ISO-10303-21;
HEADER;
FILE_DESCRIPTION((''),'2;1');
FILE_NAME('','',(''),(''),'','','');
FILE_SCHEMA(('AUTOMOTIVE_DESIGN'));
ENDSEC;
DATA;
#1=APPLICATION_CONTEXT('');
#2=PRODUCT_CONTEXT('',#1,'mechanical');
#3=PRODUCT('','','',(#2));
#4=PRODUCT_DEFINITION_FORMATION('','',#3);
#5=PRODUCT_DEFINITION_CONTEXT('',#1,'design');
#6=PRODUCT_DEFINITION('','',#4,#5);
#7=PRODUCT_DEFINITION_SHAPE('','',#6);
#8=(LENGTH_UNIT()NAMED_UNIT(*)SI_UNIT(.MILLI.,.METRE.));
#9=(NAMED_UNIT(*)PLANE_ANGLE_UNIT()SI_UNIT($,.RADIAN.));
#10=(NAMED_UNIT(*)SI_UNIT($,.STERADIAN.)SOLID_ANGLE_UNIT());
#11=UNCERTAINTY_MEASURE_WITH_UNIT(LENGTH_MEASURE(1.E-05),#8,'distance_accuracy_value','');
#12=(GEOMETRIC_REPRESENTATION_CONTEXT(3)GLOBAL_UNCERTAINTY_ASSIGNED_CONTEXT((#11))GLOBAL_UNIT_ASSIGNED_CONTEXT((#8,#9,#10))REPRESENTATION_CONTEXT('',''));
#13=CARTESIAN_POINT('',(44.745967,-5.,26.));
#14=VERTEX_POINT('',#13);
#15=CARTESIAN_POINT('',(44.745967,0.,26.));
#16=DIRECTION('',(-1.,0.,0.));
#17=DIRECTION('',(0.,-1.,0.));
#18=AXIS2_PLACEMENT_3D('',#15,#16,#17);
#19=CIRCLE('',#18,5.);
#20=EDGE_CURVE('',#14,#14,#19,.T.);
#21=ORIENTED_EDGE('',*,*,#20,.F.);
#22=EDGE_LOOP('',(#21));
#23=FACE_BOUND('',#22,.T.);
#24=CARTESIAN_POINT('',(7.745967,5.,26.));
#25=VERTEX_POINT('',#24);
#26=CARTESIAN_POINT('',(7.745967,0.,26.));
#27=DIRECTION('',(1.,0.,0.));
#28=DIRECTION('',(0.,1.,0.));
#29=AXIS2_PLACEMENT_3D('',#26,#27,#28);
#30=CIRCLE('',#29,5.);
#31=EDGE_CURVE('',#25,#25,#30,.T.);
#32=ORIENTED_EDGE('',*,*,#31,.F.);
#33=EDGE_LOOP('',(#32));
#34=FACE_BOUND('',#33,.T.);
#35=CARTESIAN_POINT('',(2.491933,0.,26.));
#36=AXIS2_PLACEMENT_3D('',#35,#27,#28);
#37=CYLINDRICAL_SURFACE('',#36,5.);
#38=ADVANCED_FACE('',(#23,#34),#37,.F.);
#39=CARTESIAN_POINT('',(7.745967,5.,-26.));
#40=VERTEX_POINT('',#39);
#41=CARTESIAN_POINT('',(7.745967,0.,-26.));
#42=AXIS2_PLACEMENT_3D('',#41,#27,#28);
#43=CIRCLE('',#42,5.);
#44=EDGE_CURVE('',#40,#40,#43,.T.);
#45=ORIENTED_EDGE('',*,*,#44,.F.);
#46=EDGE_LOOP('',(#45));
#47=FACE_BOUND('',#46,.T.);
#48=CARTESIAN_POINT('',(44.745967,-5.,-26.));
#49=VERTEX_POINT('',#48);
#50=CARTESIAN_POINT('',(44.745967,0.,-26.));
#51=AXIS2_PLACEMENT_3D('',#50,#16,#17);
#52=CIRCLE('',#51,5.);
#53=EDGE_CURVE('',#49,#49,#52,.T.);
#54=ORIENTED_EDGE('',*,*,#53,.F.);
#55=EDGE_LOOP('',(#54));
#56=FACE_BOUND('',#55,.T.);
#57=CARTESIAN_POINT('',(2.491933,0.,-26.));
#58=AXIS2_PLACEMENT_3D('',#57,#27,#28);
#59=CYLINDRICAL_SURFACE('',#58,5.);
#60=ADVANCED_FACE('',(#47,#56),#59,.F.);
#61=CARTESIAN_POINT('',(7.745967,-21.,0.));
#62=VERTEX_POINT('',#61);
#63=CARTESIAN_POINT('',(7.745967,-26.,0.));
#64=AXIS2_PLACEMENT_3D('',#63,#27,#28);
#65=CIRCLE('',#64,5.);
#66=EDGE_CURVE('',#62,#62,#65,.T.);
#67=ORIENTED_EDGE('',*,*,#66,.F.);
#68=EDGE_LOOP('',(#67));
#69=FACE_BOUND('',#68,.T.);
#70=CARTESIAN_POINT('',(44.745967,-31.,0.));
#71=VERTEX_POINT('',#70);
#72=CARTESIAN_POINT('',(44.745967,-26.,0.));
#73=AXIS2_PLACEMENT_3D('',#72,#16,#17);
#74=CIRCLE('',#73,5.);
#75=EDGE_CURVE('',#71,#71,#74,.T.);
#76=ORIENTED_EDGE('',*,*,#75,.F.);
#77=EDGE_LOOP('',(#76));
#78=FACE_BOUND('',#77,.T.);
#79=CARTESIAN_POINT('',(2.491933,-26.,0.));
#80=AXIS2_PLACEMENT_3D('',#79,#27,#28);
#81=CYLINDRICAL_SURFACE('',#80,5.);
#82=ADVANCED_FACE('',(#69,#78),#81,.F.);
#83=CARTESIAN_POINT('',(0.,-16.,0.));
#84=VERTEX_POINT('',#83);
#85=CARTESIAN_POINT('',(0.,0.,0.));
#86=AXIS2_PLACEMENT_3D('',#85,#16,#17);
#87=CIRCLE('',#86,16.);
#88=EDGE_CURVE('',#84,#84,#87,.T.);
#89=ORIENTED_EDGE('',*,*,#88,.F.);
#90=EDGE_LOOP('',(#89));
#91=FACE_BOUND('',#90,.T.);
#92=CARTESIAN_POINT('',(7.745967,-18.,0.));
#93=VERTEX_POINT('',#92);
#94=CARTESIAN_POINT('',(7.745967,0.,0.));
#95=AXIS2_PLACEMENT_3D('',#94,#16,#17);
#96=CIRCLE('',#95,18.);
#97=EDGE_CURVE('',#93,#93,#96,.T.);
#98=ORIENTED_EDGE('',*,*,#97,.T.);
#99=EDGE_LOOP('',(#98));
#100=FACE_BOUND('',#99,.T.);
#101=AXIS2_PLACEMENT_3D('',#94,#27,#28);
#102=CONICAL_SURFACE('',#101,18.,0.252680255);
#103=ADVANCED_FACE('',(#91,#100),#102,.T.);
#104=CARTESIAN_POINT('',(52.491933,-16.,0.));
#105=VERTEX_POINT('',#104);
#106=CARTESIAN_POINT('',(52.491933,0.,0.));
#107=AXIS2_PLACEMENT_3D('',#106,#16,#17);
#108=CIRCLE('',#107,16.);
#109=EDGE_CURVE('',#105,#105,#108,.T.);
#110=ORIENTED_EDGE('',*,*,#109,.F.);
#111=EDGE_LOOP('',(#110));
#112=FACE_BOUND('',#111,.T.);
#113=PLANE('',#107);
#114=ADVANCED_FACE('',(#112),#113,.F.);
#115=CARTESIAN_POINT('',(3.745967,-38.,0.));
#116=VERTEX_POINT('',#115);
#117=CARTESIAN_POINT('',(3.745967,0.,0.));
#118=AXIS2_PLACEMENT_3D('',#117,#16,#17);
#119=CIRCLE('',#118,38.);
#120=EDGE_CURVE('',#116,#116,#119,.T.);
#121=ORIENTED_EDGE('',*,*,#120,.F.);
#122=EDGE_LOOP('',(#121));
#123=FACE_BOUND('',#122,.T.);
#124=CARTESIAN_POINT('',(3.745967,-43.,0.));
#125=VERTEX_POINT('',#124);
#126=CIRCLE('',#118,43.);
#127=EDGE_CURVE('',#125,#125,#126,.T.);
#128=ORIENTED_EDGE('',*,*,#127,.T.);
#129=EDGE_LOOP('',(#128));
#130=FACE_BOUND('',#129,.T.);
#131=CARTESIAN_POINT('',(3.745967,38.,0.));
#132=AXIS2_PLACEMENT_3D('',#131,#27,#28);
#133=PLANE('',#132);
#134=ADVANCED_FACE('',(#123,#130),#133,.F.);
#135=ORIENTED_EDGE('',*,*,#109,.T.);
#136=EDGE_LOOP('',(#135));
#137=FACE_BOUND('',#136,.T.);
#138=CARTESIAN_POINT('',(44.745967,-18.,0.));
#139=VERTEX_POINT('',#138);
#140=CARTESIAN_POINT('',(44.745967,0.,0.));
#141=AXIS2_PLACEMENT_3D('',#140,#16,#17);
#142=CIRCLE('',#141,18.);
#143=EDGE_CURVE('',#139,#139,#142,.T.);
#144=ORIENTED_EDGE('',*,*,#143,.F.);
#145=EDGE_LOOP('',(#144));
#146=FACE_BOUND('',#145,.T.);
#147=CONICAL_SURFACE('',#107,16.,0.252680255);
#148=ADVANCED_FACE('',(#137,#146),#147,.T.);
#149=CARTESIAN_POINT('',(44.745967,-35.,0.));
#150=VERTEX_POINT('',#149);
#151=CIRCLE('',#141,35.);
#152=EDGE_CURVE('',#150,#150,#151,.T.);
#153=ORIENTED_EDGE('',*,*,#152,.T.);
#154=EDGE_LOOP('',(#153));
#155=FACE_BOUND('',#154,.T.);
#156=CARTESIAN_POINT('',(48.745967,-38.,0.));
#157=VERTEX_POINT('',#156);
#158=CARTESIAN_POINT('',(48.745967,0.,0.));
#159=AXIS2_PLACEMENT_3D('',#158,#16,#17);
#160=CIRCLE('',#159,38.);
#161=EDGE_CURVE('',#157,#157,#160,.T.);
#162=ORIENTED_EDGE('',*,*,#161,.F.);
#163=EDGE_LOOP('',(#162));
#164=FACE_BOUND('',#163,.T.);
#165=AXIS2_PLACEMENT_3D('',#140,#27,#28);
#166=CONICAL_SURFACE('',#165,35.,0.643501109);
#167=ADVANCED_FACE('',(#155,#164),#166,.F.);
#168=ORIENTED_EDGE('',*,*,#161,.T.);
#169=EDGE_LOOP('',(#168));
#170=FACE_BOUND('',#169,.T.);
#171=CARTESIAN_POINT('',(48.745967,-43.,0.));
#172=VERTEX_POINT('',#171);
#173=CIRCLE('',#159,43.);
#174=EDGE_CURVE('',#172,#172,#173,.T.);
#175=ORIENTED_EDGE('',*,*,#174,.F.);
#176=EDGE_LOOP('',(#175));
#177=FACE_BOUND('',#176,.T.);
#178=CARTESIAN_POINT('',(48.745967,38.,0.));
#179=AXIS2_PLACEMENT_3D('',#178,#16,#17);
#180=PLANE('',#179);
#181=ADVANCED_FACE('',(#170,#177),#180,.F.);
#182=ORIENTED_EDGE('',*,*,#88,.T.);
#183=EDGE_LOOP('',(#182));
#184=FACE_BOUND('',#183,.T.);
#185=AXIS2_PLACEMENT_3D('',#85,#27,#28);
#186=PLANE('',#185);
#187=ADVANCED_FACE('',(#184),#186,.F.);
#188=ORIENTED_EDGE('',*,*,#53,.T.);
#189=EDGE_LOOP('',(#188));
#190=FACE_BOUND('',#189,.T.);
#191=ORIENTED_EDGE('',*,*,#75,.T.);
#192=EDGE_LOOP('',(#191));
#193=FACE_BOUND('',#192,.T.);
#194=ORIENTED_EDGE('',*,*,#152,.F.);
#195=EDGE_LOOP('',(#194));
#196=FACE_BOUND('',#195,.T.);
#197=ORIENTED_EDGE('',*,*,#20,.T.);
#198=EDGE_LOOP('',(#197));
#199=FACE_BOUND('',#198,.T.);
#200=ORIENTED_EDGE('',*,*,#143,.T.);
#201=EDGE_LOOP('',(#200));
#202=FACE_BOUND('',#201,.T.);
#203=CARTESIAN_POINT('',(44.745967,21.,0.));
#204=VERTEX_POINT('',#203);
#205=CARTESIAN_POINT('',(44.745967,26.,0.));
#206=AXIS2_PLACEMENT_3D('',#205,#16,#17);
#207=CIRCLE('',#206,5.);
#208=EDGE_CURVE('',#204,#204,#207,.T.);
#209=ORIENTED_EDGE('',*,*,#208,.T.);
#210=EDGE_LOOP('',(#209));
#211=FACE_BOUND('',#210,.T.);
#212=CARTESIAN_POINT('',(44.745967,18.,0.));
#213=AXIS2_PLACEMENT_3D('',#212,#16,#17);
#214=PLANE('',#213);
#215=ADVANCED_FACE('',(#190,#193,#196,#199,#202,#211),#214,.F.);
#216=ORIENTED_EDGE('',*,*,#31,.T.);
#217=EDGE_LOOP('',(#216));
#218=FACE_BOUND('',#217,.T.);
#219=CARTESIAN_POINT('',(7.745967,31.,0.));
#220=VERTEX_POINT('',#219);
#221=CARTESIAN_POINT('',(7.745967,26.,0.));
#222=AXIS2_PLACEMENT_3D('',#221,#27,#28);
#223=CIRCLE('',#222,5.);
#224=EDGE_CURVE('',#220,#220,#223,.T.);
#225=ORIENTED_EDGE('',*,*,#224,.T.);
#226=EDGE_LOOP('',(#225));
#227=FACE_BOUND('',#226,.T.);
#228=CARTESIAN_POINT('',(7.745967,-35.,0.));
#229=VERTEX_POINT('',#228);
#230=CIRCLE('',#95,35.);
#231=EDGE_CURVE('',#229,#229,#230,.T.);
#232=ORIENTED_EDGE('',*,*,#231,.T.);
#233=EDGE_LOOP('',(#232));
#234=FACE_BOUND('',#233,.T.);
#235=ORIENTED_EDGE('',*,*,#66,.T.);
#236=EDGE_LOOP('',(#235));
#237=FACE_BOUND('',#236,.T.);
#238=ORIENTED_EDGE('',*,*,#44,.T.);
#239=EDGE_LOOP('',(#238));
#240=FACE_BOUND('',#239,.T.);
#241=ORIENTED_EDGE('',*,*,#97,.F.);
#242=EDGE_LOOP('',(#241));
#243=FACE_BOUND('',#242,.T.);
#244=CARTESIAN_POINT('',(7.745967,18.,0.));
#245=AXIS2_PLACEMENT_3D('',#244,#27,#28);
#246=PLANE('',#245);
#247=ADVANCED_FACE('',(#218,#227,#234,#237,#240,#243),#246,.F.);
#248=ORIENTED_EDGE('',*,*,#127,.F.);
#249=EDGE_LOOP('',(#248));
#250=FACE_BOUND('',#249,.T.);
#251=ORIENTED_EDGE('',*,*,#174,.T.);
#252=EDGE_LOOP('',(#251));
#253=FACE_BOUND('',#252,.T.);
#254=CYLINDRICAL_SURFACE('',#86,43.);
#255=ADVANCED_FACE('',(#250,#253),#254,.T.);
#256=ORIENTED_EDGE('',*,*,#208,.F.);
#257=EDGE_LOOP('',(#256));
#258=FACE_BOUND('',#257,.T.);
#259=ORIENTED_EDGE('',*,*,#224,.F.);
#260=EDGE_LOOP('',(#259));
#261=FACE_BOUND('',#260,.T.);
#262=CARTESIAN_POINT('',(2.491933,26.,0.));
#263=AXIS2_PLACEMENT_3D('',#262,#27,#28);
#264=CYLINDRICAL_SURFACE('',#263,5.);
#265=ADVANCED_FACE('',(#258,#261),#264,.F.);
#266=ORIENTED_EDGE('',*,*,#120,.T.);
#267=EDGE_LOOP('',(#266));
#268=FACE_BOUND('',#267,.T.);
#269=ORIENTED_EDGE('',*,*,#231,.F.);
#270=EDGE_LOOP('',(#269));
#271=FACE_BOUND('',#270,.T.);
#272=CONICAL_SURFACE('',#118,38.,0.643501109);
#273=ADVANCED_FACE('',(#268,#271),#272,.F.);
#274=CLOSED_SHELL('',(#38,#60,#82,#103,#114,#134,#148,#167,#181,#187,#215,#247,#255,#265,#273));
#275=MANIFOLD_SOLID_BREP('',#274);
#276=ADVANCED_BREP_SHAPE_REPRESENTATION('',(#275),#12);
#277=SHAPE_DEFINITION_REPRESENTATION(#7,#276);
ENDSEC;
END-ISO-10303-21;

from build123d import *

# Parameters (mm, degrees)
SKETCH2_R          = 5
CUT_EXTRUDE2_DEPTH = 50


with BuildPart() as part:
    # Sketch1 → Revolve1 (revolve)
    with BuildSketch(Plane.XY, mode=Mode.PRIVATE) as revolve1_sk:
        Polygon((0, 0), (0, 16), (7.745966692, 18), (7.745966692, 35), (3.745966692, 38), (3.745966692, 43), (48.745966692, 43), (48.745966692, 38), (44.745966692, 35), (44.745966692, 18), (52.491933385, 16), (52.491933385, 0), align=None)
    revolve(revolve1_sk.sketch.rotate(Axis((0, 0, 0), (1, 0, 0)), 180), axis=Axis((0, 0, 0), (1, 0, 0)))

    # Sketch2 → Cut-Extrude2 (cut)
    with BuildSketch(Plane(origin=(52.491933385, 0, 0), x_dir=(0, 0, -1), z_dir=(1, 0, 0))):
        with Locations(Location((0, 26, 0), (0, 0, 90))):
            Circle(SKETCH2_R)
        with Locations(Location((26, 0, 0), (0, 0, 90))):
            Circle(SKETCH2_R)
        with Locations(Location((0, -26, 0), (0, 0, 90))):
            Circle(SKETCH2_R)
        with Locations(Location((-26, 0, 0), (0, 0, 90))):
            Circle(SKETCH2_R)
    extrude(amount=-CUT_EXTRUDE2_DEPTH, mode=Mode.SUBTRACT)


solid = part.part
